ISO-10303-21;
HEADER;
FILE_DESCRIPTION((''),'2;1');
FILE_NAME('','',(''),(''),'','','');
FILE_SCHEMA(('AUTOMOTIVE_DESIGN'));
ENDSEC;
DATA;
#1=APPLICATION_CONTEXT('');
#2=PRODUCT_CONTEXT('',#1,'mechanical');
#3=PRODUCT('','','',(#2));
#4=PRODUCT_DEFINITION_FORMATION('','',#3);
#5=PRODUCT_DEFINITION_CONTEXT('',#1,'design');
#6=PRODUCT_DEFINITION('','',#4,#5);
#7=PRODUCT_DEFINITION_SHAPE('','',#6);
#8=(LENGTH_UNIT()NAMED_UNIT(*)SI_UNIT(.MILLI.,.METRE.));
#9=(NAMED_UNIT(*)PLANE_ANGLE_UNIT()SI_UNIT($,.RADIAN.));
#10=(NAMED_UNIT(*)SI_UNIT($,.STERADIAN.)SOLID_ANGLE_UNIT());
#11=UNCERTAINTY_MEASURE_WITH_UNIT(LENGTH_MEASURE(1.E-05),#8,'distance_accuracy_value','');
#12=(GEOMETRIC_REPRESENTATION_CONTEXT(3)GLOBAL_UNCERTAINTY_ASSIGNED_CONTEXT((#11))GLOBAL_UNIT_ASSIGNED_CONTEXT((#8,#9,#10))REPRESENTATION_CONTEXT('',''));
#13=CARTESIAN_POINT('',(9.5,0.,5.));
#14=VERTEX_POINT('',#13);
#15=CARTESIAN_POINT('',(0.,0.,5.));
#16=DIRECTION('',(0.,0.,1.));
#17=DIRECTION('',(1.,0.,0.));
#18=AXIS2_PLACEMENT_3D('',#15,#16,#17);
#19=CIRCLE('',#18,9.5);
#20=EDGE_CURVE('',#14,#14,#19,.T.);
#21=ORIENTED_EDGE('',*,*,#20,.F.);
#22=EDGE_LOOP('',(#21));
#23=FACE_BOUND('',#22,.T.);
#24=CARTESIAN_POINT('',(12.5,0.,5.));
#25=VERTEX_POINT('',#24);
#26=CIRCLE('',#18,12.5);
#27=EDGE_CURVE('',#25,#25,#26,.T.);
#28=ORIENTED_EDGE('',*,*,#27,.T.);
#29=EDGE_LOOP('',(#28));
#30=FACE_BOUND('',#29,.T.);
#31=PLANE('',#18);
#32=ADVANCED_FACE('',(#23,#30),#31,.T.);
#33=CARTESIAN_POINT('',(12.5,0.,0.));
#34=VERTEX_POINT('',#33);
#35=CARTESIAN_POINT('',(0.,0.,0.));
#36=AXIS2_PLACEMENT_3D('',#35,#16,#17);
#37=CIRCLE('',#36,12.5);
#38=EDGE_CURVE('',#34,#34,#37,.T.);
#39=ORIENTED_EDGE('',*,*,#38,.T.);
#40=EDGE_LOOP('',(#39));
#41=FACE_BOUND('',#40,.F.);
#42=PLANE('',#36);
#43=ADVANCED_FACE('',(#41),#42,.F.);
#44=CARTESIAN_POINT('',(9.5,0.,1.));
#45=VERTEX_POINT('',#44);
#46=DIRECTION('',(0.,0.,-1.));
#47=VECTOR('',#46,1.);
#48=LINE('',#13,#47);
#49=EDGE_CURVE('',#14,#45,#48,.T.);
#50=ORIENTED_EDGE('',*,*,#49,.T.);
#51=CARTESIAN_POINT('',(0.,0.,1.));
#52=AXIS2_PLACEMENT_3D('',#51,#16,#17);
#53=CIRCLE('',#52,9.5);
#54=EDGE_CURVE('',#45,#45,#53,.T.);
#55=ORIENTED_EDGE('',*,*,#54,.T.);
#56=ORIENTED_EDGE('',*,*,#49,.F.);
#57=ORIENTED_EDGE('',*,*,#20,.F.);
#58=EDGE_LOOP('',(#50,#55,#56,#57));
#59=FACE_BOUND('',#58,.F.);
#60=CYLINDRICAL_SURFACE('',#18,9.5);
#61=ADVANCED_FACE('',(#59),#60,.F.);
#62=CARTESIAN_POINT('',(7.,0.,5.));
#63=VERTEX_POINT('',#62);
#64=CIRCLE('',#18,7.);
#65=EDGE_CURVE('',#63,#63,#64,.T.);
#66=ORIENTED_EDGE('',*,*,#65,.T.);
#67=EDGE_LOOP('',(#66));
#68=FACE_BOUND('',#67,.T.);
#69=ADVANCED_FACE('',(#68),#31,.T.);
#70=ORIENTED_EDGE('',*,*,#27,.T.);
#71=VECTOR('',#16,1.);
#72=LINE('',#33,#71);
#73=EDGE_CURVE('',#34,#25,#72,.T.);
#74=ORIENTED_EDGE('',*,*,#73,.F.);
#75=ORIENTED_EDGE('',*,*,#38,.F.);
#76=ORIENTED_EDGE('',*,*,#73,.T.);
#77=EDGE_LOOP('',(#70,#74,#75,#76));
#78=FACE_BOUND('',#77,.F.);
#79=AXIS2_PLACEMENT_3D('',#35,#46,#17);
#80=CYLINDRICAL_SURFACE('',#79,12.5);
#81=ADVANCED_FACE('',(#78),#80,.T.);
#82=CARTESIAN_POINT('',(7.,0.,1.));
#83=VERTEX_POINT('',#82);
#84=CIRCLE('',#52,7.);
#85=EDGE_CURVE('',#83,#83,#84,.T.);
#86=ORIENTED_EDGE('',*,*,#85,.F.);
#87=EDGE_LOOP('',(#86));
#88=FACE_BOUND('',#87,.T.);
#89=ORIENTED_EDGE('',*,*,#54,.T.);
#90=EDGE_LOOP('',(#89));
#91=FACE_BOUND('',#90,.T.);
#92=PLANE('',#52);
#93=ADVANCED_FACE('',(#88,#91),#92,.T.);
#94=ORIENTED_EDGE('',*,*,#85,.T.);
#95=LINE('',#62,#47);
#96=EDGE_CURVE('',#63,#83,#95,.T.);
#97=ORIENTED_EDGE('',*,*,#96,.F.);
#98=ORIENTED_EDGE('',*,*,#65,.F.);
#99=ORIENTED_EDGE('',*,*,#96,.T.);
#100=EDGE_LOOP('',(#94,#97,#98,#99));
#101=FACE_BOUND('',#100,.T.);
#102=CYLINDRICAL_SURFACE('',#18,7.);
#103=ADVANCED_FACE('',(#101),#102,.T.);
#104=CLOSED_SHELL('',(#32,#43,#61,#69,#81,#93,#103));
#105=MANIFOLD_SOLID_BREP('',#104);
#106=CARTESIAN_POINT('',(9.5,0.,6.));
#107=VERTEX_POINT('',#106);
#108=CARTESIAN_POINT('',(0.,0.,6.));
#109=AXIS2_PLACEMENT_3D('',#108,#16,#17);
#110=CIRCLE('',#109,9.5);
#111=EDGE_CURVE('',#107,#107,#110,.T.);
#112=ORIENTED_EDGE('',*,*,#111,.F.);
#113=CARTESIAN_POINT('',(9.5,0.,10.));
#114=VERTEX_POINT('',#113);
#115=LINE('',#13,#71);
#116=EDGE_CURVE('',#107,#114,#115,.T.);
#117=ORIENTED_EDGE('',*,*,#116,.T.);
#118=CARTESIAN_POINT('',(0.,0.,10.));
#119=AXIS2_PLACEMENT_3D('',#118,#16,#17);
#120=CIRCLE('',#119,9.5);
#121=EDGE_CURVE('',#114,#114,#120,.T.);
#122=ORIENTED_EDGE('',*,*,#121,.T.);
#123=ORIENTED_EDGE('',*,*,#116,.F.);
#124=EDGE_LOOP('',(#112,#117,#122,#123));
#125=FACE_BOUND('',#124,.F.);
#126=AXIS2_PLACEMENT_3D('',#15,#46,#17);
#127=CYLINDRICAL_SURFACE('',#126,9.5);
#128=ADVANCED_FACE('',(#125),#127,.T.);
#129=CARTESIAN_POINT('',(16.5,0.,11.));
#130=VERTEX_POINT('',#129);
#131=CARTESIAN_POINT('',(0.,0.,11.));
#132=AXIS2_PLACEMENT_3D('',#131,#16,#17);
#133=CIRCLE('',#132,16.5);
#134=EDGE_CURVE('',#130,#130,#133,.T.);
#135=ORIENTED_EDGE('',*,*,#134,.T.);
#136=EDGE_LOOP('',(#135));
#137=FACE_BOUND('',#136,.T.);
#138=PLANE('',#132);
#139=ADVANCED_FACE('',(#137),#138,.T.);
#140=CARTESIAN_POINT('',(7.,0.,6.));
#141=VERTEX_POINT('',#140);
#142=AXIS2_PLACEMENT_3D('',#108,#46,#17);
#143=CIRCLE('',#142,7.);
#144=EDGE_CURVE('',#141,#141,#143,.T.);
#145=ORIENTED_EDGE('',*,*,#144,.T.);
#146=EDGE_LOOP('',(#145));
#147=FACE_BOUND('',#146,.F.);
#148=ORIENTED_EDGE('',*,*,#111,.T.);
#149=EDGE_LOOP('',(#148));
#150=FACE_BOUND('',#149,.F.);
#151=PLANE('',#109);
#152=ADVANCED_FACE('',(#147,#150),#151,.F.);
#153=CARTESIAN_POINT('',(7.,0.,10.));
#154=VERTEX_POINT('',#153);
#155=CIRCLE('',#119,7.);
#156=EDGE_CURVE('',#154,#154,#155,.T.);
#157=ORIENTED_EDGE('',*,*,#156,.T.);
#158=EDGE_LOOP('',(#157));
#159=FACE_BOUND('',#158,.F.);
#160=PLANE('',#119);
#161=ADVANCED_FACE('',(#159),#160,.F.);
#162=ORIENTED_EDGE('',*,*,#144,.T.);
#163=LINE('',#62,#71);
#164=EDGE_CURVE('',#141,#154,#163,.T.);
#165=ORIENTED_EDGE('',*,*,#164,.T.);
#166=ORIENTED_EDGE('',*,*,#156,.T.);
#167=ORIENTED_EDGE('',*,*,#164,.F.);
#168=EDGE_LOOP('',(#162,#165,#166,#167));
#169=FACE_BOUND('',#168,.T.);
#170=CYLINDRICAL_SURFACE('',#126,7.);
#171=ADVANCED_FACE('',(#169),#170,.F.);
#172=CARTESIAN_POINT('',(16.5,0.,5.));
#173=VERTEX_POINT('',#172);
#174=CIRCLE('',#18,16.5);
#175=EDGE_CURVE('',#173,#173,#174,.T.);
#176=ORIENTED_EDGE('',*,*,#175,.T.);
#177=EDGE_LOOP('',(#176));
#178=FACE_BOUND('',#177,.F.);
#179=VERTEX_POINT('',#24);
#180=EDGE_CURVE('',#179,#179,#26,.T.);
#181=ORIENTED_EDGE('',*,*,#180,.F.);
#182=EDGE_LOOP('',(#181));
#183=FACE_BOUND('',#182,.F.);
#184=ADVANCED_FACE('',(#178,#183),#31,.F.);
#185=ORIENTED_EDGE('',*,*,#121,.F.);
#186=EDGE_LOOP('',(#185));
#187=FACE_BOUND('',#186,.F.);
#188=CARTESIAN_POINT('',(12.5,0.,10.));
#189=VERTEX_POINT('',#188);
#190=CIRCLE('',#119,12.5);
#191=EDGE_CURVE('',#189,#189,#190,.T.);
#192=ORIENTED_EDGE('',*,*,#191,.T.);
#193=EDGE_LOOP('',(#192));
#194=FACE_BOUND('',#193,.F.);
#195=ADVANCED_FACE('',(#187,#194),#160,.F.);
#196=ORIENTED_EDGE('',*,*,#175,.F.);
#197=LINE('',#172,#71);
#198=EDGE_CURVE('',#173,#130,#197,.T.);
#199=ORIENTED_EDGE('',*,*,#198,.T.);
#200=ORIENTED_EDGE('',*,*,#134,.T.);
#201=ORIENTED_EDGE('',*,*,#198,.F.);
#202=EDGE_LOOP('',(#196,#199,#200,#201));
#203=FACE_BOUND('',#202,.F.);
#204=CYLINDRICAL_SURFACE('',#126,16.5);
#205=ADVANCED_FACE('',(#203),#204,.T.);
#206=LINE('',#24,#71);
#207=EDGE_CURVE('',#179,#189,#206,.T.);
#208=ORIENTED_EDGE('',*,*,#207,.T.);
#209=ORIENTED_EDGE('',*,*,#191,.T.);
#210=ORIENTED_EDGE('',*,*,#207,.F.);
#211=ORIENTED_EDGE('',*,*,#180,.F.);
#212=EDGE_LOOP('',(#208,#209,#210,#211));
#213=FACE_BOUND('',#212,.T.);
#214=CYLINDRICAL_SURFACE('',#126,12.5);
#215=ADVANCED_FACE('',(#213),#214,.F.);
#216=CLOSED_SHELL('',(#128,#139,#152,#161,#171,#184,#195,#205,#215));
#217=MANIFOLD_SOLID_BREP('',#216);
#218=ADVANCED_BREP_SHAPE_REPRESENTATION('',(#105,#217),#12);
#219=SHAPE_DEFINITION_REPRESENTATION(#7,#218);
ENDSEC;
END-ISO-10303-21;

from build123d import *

# Parameters (mm, degrees)
F0_R     = 12.5
F1_DEPTH = 5
F2_R     = 9.5
F2_R_2   = 7
F3_DEPTH = 4
F4_R     = 16.5
F4_R_2   = 12.5
F4_R_3   = 9.5
F4_R_4   = 7
F5_DEPTH = 6
F6_DEPTH = 5
F7_R     = 9.5
F8_DEPTH = 1


with BuildPart() as f1:
    # F0 (on Top) → F1 (new body)
    with BuildSketch(Plane.XY):
        Circle(F0_R)
    extrude(amount=F1_DEPTH)

    # F2 (on face) → F3 (cut)
    with BuildSketch(Plane.XY.offset(5)):
        Circle(F2_R)
        Circle(F2_R_2, mode=Mode.SUBTRACT)
    extrude(amount=-F3_DEPTH, mode=Mode.SUBTRACT)


with BuildPart() as f5:
    # F4 (on face) → F5 (new body)
    with BuildSketch(Plane.XY.offset(5)):
        Circle(F4_R)
        Circle(F4_R_2, mode=Mode.SUBTRACT)
        Circle(F4_R_2)
        Circle(F4_R_3, mode=Mode.SUBTRACT)
        Circle(F4_R_3)
        Circle(F4_R_4, mode=Mode.SUBTRACT)
        Circle(F4_R_4)
    extrude(amount=F5_DEPTH)

    # F4 (on face) → F6 (cut)
    with BuildSketch(Plane.XY.offset(5)):
        Circle(F4_R_2)
        Circle(F4_R_3, mode=Mode.SUBTRACT)
        Circle(F4_R_4)
    extrude(amount=F6_DEPTH, mode=Mode.SUBTRACT)

    # F7 (on face) → F8 (cut)
    with BuildSketch(Plane.XY.offset(5)):
        Circle(F7_R)
    extrude(amount=F8_DEPTH, mode=Mode.SUBTRACT)


solid = Compound([f1.part, f5.part])
